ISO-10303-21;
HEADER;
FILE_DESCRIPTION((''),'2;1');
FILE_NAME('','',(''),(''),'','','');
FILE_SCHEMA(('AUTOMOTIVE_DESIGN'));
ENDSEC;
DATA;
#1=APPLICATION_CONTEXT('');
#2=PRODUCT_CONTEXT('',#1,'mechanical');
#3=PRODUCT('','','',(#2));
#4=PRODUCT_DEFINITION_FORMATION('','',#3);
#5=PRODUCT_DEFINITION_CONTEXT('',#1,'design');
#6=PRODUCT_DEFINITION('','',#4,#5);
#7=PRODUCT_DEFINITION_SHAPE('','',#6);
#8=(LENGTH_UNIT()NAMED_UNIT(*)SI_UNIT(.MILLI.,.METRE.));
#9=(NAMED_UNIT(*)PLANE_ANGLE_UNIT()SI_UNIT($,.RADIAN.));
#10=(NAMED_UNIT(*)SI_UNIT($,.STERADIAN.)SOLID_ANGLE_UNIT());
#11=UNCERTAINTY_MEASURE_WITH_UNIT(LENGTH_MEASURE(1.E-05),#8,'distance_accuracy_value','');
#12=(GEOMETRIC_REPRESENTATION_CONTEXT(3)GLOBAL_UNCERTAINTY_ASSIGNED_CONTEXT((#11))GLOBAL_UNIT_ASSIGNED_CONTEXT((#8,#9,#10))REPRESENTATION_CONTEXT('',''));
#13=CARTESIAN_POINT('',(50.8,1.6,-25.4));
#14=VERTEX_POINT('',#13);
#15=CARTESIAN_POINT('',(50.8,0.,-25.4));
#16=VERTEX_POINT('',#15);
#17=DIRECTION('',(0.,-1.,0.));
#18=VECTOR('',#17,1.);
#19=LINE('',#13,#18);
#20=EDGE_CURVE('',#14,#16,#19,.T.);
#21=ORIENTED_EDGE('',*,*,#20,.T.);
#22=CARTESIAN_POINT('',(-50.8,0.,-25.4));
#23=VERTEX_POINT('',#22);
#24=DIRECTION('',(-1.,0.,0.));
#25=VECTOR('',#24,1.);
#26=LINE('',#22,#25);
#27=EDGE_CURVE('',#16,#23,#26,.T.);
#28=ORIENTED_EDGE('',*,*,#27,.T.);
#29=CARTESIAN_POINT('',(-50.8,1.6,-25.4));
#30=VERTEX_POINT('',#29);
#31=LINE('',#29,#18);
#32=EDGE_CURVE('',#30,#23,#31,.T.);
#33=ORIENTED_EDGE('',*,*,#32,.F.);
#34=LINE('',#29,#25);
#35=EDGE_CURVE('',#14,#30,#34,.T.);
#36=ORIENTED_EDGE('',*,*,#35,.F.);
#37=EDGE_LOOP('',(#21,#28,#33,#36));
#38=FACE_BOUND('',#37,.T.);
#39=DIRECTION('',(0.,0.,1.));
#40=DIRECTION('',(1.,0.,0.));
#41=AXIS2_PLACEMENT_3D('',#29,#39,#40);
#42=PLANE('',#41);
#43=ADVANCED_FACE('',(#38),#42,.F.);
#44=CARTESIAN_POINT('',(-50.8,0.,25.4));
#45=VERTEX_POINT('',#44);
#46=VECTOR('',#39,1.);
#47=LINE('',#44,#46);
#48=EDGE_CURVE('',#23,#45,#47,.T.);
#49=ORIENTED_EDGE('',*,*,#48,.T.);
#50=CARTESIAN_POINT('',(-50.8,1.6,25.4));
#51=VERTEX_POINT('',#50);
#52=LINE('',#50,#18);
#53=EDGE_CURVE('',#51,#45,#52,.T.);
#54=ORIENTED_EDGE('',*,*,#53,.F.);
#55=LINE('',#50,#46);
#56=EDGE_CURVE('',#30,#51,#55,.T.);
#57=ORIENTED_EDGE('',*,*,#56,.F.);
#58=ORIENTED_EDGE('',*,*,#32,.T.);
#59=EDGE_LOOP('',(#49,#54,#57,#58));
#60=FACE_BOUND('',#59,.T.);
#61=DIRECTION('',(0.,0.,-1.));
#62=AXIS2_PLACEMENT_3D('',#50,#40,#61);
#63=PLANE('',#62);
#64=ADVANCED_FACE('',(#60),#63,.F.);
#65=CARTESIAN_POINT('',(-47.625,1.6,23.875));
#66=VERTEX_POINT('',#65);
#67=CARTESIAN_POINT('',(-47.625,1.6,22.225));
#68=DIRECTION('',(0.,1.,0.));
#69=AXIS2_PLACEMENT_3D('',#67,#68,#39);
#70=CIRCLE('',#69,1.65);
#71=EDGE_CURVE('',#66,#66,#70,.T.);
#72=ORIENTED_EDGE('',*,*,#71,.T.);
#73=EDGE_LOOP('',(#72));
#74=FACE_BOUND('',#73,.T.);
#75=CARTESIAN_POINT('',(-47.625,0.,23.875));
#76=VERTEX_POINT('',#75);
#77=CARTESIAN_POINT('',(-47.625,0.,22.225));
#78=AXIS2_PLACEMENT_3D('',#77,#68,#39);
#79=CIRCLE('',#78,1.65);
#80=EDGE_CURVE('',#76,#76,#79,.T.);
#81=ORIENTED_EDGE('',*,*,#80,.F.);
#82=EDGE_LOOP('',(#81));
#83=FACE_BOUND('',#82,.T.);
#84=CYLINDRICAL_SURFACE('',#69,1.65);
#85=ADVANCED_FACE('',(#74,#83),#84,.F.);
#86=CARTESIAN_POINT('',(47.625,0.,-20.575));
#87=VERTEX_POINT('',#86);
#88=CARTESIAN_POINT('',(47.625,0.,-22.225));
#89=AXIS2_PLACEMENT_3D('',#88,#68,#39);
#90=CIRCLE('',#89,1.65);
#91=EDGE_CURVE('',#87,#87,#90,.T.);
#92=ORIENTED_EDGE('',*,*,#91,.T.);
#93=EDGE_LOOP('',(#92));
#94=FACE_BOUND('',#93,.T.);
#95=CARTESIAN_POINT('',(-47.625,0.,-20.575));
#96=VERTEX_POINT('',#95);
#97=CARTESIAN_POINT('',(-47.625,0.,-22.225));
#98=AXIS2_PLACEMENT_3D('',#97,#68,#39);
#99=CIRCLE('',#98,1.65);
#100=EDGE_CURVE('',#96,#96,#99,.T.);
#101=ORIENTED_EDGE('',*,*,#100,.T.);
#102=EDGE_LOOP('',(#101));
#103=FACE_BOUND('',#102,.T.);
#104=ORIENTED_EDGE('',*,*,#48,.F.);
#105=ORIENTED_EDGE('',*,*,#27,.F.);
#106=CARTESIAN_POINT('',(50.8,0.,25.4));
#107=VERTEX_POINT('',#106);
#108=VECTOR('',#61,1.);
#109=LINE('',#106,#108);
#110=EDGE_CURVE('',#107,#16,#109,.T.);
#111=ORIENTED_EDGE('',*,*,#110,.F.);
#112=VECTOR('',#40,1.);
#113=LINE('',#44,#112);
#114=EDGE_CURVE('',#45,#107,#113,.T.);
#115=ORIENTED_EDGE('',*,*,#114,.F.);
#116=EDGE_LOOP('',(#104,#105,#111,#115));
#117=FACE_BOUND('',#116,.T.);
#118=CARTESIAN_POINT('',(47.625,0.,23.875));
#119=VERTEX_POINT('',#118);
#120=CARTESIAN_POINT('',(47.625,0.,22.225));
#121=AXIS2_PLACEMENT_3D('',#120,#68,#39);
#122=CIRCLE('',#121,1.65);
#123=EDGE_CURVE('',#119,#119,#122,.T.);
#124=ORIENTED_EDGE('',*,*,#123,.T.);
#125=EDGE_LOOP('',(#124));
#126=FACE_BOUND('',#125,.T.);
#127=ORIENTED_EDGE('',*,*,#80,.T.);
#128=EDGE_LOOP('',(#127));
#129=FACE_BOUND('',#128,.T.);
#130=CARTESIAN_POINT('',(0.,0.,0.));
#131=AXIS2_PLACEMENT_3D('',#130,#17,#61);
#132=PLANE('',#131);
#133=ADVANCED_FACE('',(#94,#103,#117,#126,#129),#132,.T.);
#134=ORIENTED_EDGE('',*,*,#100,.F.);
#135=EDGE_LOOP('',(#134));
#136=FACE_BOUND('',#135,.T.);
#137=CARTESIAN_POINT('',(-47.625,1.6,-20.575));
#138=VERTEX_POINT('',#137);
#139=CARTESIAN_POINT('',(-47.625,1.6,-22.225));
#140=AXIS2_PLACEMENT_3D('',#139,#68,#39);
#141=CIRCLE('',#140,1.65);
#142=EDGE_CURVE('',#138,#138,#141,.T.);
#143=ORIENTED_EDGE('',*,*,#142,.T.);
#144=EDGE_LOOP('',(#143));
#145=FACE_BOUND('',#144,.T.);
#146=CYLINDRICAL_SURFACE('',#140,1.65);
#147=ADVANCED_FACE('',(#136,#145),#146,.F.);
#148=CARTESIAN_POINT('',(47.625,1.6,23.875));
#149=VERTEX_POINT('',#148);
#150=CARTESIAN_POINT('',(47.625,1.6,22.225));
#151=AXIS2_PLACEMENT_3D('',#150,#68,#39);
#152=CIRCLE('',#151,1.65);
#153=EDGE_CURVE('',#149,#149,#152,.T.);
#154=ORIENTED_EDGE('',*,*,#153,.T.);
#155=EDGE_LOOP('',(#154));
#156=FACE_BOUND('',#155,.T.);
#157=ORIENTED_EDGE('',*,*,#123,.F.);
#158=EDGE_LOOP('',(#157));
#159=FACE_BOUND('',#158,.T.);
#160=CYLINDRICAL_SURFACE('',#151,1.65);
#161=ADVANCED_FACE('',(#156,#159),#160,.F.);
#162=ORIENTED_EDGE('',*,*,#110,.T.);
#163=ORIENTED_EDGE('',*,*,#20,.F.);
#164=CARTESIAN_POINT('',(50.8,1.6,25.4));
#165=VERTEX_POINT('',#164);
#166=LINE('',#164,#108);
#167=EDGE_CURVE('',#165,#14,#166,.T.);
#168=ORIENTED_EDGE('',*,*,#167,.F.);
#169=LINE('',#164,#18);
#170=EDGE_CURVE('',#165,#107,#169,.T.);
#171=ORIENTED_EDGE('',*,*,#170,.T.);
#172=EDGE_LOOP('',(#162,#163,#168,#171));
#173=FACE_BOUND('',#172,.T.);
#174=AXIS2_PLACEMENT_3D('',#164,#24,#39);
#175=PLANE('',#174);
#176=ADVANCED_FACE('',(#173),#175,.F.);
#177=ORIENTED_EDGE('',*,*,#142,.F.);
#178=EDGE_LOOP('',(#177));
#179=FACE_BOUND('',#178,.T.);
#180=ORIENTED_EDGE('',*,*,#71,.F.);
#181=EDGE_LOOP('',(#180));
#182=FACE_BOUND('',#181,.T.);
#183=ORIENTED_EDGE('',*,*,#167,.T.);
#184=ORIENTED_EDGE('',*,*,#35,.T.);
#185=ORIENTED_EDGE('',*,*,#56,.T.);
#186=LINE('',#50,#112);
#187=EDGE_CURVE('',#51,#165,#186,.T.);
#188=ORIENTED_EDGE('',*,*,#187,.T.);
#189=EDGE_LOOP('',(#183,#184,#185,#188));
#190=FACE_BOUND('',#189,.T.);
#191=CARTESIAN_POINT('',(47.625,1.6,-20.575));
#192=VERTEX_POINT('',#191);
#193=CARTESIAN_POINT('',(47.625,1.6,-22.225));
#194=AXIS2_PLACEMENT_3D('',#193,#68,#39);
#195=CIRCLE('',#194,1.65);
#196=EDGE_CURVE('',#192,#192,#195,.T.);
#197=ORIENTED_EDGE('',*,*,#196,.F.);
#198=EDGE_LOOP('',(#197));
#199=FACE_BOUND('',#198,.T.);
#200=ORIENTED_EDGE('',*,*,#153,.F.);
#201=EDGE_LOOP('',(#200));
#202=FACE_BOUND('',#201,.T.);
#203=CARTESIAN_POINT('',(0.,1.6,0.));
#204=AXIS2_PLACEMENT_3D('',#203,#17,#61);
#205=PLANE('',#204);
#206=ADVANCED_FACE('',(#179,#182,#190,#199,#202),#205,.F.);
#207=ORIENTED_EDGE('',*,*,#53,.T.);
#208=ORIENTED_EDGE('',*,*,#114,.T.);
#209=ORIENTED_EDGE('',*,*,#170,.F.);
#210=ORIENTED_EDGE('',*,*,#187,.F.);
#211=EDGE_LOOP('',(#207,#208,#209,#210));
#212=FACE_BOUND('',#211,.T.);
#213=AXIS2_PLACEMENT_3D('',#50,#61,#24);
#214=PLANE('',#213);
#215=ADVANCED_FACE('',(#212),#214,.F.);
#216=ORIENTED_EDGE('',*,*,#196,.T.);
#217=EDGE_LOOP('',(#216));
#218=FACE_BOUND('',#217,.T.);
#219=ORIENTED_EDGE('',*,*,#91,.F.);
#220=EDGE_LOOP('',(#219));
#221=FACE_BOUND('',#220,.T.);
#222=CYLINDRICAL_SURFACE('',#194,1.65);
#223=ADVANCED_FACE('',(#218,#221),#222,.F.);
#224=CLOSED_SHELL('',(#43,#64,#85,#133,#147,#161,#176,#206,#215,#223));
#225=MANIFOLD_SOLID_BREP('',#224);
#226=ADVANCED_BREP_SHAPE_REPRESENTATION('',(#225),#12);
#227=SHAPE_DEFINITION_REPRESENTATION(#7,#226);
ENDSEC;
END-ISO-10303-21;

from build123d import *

# Parameters (mm, degrees)
SKETCH1_W             = 101.6
SKETCH1_H             = 50.8
BOSS_EXTRUDE1_DEPTH   = 1.6
F_3_0MM_DOWEL_HOLE1_D = 3.3


with BuildPart() as part:
    # Sketch1 → Boss-Extrude1 (new body)
    with BuildSketch(Plane(origin=(0, 0, 0), x_dir=(1, 0, 0), z_dir=(0, 1, 0))):
        Rectangle(SKETCH1_W, SKETCH1_H)
    extrude(amount=BOSS_EXTRUDE1_DEPTH)

    # Ø3.0mm Dowel Hole1 (through all)
    with Locations(Plane(origin=(0, 1.6, 0), x_dir=(1, 0, 0), z_dir=(0, 1, 0))):
        with Locations((-47.625, 22.225), (47.625, 22.225), (47.625, -22.225), (-47.625, -22.225)):
            Hole(F_3_0MM_DOWEL_HOLE1_D / 2)


solid = part.part
